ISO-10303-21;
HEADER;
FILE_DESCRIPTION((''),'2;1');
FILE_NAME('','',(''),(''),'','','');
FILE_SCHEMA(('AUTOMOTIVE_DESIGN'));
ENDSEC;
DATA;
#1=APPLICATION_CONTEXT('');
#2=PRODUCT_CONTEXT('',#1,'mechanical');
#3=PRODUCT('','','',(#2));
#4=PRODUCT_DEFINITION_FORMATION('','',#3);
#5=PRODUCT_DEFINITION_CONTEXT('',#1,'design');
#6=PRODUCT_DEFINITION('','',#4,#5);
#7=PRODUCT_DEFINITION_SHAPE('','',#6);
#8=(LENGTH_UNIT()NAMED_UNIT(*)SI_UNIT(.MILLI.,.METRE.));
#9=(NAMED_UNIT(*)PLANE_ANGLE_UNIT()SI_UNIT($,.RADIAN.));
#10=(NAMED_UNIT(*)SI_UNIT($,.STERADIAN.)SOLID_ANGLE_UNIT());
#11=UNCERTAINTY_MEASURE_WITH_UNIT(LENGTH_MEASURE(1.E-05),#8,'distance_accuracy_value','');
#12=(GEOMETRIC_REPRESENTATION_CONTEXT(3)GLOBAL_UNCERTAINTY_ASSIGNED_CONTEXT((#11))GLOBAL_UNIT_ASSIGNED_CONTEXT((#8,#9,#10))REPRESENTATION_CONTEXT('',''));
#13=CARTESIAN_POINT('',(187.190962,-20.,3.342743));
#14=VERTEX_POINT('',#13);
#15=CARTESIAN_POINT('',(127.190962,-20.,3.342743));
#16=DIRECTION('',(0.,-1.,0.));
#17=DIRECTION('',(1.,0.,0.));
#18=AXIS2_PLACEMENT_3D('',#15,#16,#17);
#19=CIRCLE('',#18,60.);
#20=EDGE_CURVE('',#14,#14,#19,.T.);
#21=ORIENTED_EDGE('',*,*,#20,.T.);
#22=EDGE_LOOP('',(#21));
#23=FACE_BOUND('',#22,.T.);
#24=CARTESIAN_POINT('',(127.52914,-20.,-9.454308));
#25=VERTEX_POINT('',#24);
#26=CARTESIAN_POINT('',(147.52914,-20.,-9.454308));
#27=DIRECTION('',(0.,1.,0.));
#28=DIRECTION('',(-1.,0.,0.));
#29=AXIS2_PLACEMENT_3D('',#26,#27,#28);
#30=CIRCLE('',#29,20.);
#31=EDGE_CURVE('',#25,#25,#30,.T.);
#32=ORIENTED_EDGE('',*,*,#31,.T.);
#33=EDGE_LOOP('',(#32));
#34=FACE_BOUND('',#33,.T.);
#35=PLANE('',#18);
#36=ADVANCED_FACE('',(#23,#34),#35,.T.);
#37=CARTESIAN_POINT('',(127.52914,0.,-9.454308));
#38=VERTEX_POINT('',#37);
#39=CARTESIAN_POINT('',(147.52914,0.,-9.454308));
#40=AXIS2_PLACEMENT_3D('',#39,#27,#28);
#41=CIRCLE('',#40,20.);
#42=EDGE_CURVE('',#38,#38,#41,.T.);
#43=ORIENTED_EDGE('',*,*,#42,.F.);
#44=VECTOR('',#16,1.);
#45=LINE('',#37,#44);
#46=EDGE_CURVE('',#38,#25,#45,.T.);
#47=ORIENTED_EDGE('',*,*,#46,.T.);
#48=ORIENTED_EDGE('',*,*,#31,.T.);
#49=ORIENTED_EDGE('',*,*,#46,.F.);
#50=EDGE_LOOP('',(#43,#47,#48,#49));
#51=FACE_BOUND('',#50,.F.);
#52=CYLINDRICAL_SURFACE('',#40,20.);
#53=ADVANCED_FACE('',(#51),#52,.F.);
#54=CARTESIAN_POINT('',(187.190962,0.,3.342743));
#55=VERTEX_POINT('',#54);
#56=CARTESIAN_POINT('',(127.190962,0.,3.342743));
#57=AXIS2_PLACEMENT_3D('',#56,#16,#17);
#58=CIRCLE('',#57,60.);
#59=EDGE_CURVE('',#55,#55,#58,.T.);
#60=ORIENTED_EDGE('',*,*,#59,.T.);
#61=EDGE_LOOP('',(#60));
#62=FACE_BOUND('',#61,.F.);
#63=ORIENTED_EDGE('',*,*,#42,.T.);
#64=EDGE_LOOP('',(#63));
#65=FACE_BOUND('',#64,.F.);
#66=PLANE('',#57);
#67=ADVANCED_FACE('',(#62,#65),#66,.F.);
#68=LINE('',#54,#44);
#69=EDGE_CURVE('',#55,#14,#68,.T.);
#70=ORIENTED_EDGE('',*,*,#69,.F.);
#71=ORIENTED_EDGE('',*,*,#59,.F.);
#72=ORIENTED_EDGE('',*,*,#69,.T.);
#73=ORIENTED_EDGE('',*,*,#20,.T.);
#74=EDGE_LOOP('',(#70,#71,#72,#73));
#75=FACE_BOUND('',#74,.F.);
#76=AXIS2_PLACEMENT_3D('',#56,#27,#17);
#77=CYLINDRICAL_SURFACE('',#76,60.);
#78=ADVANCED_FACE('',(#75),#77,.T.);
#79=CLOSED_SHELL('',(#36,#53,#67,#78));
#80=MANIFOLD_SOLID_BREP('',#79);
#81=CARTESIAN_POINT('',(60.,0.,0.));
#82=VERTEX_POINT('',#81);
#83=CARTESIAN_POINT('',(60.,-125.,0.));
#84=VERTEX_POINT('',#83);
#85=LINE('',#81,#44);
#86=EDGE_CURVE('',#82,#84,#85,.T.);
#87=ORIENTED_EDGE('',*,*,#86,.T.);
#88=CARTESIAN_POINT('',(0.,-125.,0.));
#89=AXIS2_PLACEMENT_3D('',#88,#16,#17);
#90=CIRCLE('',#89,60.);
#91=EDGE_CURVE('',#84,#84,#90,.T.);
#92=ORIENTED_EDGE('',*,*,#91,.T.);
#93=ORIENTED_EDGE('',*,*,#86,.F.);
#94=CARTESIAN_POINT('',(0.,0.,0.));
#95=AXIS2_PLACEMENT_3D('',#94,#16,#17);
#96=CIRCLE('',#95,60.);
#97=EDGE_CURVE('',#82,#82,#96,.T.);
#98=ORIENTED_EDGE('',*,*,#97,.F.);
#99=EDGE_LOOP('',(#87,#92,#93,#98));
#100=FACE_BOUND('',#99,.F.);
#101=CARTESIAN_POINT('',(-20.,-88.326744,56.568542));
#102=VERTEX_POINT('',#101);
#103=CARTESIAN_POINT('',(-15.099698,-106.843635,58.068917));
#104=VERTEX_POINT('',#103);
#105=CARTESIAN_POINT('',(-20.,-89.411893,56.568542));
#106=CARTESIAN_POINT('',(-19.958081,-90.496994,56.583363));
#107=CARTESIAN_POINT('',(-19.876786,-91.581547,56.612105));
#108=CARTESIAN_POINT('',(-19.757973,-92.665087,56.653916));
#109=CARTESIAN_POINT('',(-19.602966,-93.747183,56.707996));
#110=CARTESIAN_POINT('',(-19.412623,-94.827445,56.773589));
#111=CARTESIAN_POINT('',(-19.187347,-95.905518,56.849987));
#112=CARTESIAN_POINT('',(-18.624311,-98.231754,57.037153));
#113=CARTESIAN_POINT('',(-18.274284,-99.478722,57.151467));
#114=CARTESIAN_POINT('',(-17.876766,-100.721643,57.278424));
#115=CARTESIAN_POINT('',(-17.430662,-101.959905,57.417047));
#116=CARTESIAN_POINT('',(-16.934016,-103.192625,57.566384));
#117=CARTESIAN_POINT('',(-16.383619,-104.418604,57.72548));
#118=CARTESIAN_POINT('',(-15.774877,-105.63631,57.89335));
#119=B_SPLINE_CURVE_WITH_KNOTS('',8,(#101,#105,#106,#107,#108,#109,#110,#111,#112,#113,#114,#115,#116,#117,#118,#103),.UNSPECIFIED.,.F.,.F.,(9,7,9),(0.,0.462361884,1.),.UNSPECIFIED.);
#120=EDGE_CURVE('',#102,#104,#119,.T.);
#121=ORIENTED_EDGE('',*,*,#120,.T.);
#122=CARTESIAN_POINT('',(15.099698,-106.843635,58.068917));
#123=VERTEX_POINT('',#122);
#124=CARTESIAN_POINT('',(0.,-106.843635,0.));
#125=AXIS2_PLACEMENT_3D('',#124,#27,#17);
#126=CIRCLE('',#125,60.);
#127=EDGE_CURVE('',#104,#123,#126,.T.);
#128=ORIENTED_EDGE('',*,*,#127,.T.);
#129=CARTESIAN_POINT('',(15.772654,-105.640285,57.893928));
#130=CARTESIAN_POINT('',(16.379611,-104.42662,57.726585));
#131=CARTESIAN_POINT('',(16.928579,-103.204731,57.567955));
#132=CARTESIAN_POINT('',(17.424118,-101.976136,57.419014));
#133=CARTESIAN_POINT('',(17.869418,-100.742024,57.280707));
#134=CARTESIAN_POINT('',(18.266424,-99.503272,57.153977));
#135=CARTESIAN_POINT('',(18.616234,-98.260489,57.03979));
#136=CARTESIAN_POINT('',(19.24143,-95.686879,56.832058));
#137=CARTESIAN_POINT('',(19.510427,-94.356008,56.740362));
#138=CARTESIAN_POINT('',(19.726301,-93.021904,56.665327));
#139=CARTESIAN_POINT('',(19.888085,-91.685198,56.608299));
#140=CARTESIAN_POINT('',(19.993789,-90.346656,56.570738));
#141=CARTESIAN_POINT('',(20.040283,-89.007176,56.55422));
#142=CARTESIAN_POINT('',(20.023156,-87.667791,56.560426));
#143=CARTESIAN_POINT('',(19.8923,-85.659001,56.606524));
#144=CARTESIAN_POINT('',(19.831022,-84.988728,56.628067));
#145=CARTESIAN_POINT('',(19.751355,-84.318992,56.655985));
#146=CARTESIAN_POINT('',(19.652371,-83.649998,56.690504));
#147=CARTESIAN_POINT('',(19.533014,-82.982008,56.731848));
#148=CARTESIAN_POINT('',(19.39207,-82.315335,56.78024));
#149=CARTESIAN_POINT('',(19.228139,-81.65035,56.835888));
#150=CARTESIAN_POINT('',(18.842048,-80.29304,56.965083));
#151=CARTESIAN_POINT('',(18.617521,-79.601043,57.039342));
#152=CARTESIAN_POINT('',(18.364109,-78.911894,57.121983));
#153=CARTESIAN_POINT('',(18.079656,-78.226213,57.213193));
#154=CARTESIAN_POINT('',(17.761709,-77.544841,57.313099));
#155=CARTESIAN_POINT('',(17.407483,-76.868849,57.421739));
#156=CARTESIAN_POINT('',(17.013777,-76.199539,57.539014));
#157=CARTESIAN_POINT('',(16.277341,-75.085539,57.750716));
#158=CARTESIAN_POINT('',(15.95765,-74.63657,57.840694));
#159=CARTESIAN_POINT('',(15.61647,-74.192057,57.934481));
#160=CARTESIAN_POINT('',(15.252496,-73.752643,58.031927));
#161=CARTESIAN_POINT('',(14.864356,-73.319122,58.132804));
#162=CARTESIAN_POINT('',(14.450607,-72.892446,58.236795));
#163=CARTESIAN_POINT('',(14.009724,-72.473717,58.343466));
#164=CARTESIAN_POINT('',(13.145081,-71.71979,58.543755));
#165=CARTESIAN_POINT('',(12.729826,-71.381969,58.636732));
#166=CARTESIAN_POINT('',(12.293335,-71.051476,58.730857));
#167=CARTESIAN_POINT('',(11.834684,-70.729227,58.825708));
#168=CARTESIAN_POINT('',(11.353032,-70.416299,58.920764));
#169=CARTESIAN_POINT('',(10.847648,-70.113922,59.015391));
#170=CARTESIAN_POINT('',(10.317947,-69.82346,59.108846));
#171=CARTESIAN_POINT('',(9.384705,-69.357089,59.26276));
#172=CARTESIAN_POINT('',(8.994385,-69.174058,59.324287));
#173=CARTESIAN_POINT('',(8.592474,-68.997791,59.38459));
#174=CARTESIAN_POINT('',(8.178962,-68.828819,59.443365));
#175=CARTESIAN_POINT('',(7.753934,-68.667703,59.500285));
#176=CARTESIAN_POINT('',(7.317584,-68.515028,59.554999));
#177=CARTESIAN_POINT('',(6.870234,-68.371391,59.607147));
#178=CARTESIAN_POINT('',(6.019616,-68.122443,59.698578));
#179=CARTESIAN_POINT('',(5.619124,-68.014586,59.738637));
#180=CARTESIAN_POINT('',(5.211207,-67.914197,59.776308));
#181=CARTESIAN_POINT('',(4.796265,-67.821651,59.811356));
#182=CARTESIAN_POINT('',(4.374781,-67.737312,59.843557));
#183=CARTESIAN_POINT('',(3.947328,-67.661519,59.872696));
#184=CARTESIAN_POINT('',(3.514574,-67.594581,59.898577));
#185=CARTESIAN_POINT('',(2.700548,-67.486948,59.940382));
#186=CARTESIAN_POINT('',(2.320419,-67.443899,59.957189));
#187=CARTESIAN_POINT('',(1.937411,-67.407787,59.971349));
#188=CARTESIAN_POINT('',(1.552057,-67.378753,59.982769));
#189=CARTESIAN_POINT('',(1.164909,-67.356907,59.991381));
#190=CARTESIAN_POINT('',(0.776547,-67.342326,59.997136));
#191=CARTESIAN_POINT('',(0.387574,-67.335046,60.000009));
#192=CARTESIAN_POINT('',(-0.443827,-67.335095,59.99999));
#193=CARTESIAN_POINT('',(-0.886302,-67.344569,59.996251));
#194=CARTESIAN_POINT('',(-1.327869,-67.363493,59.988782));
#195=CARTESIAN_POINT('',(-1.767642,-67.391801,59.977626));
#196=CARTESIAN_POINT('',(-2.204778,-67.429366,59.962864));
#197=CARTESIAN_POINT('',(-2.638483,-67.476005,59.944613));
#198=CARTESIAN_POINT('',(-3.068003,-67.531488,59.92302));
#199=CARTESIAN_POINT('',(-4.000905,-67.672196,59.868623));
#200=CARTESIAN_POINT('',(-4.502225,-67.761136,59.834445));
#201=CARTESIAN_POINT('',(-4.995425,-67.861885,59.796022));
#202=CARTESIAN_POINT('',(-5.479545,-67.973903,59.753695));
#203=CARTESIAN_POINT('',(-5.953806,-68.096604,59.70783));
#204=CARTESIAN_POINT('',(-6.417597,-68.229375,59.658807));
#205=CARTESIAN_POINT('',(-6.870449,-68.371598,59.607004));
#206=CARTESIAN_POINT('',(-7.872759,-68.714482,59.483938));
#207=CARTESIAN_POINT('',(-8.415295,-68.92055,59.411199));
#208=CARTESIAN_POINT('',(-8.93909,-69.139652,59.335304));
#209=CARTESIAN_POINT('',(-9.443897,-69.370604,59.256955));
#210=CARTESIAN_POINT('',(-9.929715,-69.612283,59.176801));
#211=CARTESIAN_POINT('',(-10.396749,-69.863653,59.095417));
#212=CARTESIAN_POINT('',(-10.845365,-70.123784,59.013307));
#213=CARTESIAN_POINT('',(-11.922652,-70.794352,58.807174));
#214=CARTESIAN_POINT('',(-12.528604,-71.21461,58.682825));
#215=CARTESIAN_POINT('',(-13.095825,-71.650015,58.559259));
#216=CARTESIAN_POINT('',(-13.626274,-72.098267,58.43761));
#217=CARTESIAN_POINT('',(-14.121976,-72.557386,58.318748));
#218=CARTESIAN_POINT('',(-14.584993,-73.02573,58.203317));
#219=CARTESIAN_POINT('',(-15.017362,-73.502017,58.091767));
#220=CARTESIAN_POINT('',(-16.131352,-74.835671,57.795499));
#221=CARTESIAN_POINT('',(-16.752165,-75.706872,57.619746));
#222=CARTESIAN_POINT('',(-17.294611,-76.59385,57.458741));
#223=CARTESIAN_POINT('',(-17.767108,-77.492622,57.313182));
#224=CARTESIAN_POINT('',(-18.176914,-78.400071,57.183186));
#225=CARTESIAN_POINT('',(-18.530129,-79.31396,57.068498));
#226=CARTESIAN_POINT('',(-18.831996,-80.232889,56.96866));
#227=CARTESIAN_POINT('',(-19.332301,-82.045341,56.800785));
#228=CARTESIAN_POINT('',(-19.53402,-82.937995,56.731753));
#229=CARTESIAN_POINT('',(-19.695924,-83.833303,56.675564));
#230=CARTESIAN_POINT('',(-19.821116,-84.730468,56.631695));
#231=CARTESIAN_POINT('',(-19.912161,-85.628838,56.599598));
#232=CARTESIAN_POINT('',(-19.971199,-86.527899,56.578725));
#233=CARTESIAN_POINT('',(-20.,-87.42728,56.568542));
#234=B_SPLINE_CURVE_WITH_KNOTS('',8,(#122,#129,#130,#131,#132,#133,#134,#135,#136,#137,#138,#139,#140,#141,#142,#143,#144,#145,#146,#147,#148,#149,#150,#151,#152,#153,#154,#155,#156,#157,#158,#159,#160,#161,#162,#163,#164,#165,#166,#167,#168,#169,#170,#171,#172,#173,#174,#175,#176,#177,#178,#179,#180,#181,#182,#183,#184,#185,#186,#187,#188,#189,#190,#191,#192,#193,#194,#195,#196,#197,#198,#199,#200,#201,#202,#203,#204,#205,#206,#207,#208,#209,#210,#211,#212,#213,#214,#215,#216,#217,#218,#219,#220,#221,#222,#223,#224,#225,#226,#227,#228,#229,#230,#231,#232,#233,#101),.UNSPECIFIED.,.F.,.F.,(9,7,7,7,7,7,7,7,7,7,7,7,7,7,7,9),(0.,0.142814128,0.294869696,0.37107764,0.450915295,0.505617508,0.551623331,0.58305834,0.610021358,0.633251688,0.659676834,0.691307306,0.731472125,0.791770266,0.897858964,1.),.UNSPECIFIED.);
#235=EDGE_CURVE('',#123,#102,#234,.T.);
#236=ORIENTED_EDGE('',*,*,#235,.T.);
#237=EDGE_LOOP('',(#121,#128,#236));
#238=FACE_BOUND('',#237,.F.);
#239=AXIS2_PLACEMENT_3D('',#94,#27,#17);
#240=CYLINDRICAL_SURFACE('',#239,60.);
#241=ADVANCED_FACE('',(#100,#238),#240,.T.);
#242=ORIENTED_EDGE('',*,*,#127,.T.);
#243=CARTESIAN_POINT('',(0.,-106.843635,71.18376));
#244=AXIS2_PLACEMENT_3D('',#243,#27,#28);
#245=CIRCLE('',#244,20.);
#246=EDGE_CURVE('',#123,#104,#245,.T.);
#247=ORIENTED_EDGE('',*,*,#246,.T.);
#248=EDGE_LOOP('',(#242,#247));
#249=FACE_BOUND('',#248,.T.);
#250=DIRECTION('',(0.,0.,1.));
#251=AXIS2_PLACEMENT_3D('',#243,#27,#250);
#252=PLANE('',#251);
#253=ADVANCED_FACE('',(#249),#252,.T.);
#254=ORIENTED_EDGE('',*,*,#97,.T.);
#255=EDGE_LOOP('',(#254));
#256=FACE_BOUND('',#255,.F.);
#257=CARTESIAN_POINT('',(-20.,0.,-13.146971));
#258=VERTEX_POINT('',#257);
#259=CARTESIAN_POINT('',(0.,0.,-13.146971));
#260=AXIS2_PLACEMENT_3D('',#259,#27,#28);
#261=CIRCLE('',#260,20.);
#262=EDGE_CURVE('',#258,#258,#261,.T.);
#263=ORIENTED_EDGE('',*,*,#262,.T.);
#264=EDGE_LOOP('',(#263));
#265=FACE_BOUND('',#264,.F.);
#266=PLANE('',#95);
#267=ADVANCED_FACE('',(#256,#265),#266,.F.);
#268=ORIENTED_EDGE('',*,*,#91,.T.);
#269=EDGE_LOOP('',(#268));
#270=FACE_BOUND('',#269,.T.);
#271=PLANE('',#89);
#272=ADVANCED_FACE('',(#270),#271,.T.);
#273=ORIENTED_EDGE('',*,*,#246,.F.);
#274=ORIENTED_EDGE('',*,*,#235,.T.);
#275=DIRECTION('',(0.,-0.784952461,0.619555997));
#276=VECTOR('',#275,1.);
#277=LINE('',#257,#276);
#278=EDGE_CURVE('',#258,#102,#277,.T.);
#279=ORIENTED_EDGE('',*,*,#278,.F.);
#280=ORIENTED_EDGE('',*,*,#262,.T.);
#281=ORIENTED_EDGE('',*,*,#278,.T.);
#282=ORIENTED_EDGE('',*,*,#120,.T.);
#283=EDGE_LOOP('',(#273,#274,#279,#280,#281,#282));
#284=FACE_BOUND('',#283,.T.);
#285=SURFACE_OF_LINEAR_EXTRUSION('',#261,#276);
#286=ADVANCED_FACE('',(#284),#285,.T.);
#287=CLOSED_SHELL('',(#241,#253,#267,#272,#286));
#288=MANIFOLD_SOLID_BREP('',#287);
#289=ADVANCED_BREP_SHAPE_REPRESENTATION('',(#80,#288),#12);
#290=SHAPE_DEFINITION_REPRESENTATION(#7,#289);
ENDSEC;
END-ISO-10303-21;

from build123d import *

# Parameters (mm, degrees)
F0_R     = 60
F1_DEPTH = 125
F2_R     = 20
F5_R     = 60
F6_DEPTH = 20
F7_R     = 20
F8_DEPTH = 30


with BuildPart() as f1:
    # F0 (on Front) → F1 (new body)
    with BuildSketch(Plane.XZ):
        Circle(F0_R)
    extrude(amount=F1_DEPTH)

    # F4: sweep along a path in F3
    with BuildLine(Plane.YZ) as f4_path:
        Line((0, -25.435504), (-106.843635, 58.895227))
    # F2 (on face) → F4 (sweep, cut)
    with BuildSketch(Plane(origin=(0, 0, 0), x_dir=(-1, 0, 0), z_dir=(0, 1, 0))):
        with Locations((0, -13.146971)):
            Circle(F2_R)
    sweep(path=f4_path.line, mode=Mode.SUBTRACT)


with BuildPart() as f6:
    # F5 (on Front) → F6 (new body)
    with BuildSketch(Plane.XZ):
        with Locations((127.190962, 3.342743)):
            Circle(F5_R)
    extrude(amount=F6_DEPTH)

    # F7 (on face) → F8 (cut)
    with BuildSketch(Plane(origin=(0, 0, 0), x_dir=(-1, 0, 0), z_dir=(0, 1, 0))):
        with Locations((-147.52914, -9.454308)):
            Circle(F7_R)
    extrude(amount=-F8_DEPTH, mode=Mode.SUBTRACT)


solid = Compound([f1.part, f6.part])
